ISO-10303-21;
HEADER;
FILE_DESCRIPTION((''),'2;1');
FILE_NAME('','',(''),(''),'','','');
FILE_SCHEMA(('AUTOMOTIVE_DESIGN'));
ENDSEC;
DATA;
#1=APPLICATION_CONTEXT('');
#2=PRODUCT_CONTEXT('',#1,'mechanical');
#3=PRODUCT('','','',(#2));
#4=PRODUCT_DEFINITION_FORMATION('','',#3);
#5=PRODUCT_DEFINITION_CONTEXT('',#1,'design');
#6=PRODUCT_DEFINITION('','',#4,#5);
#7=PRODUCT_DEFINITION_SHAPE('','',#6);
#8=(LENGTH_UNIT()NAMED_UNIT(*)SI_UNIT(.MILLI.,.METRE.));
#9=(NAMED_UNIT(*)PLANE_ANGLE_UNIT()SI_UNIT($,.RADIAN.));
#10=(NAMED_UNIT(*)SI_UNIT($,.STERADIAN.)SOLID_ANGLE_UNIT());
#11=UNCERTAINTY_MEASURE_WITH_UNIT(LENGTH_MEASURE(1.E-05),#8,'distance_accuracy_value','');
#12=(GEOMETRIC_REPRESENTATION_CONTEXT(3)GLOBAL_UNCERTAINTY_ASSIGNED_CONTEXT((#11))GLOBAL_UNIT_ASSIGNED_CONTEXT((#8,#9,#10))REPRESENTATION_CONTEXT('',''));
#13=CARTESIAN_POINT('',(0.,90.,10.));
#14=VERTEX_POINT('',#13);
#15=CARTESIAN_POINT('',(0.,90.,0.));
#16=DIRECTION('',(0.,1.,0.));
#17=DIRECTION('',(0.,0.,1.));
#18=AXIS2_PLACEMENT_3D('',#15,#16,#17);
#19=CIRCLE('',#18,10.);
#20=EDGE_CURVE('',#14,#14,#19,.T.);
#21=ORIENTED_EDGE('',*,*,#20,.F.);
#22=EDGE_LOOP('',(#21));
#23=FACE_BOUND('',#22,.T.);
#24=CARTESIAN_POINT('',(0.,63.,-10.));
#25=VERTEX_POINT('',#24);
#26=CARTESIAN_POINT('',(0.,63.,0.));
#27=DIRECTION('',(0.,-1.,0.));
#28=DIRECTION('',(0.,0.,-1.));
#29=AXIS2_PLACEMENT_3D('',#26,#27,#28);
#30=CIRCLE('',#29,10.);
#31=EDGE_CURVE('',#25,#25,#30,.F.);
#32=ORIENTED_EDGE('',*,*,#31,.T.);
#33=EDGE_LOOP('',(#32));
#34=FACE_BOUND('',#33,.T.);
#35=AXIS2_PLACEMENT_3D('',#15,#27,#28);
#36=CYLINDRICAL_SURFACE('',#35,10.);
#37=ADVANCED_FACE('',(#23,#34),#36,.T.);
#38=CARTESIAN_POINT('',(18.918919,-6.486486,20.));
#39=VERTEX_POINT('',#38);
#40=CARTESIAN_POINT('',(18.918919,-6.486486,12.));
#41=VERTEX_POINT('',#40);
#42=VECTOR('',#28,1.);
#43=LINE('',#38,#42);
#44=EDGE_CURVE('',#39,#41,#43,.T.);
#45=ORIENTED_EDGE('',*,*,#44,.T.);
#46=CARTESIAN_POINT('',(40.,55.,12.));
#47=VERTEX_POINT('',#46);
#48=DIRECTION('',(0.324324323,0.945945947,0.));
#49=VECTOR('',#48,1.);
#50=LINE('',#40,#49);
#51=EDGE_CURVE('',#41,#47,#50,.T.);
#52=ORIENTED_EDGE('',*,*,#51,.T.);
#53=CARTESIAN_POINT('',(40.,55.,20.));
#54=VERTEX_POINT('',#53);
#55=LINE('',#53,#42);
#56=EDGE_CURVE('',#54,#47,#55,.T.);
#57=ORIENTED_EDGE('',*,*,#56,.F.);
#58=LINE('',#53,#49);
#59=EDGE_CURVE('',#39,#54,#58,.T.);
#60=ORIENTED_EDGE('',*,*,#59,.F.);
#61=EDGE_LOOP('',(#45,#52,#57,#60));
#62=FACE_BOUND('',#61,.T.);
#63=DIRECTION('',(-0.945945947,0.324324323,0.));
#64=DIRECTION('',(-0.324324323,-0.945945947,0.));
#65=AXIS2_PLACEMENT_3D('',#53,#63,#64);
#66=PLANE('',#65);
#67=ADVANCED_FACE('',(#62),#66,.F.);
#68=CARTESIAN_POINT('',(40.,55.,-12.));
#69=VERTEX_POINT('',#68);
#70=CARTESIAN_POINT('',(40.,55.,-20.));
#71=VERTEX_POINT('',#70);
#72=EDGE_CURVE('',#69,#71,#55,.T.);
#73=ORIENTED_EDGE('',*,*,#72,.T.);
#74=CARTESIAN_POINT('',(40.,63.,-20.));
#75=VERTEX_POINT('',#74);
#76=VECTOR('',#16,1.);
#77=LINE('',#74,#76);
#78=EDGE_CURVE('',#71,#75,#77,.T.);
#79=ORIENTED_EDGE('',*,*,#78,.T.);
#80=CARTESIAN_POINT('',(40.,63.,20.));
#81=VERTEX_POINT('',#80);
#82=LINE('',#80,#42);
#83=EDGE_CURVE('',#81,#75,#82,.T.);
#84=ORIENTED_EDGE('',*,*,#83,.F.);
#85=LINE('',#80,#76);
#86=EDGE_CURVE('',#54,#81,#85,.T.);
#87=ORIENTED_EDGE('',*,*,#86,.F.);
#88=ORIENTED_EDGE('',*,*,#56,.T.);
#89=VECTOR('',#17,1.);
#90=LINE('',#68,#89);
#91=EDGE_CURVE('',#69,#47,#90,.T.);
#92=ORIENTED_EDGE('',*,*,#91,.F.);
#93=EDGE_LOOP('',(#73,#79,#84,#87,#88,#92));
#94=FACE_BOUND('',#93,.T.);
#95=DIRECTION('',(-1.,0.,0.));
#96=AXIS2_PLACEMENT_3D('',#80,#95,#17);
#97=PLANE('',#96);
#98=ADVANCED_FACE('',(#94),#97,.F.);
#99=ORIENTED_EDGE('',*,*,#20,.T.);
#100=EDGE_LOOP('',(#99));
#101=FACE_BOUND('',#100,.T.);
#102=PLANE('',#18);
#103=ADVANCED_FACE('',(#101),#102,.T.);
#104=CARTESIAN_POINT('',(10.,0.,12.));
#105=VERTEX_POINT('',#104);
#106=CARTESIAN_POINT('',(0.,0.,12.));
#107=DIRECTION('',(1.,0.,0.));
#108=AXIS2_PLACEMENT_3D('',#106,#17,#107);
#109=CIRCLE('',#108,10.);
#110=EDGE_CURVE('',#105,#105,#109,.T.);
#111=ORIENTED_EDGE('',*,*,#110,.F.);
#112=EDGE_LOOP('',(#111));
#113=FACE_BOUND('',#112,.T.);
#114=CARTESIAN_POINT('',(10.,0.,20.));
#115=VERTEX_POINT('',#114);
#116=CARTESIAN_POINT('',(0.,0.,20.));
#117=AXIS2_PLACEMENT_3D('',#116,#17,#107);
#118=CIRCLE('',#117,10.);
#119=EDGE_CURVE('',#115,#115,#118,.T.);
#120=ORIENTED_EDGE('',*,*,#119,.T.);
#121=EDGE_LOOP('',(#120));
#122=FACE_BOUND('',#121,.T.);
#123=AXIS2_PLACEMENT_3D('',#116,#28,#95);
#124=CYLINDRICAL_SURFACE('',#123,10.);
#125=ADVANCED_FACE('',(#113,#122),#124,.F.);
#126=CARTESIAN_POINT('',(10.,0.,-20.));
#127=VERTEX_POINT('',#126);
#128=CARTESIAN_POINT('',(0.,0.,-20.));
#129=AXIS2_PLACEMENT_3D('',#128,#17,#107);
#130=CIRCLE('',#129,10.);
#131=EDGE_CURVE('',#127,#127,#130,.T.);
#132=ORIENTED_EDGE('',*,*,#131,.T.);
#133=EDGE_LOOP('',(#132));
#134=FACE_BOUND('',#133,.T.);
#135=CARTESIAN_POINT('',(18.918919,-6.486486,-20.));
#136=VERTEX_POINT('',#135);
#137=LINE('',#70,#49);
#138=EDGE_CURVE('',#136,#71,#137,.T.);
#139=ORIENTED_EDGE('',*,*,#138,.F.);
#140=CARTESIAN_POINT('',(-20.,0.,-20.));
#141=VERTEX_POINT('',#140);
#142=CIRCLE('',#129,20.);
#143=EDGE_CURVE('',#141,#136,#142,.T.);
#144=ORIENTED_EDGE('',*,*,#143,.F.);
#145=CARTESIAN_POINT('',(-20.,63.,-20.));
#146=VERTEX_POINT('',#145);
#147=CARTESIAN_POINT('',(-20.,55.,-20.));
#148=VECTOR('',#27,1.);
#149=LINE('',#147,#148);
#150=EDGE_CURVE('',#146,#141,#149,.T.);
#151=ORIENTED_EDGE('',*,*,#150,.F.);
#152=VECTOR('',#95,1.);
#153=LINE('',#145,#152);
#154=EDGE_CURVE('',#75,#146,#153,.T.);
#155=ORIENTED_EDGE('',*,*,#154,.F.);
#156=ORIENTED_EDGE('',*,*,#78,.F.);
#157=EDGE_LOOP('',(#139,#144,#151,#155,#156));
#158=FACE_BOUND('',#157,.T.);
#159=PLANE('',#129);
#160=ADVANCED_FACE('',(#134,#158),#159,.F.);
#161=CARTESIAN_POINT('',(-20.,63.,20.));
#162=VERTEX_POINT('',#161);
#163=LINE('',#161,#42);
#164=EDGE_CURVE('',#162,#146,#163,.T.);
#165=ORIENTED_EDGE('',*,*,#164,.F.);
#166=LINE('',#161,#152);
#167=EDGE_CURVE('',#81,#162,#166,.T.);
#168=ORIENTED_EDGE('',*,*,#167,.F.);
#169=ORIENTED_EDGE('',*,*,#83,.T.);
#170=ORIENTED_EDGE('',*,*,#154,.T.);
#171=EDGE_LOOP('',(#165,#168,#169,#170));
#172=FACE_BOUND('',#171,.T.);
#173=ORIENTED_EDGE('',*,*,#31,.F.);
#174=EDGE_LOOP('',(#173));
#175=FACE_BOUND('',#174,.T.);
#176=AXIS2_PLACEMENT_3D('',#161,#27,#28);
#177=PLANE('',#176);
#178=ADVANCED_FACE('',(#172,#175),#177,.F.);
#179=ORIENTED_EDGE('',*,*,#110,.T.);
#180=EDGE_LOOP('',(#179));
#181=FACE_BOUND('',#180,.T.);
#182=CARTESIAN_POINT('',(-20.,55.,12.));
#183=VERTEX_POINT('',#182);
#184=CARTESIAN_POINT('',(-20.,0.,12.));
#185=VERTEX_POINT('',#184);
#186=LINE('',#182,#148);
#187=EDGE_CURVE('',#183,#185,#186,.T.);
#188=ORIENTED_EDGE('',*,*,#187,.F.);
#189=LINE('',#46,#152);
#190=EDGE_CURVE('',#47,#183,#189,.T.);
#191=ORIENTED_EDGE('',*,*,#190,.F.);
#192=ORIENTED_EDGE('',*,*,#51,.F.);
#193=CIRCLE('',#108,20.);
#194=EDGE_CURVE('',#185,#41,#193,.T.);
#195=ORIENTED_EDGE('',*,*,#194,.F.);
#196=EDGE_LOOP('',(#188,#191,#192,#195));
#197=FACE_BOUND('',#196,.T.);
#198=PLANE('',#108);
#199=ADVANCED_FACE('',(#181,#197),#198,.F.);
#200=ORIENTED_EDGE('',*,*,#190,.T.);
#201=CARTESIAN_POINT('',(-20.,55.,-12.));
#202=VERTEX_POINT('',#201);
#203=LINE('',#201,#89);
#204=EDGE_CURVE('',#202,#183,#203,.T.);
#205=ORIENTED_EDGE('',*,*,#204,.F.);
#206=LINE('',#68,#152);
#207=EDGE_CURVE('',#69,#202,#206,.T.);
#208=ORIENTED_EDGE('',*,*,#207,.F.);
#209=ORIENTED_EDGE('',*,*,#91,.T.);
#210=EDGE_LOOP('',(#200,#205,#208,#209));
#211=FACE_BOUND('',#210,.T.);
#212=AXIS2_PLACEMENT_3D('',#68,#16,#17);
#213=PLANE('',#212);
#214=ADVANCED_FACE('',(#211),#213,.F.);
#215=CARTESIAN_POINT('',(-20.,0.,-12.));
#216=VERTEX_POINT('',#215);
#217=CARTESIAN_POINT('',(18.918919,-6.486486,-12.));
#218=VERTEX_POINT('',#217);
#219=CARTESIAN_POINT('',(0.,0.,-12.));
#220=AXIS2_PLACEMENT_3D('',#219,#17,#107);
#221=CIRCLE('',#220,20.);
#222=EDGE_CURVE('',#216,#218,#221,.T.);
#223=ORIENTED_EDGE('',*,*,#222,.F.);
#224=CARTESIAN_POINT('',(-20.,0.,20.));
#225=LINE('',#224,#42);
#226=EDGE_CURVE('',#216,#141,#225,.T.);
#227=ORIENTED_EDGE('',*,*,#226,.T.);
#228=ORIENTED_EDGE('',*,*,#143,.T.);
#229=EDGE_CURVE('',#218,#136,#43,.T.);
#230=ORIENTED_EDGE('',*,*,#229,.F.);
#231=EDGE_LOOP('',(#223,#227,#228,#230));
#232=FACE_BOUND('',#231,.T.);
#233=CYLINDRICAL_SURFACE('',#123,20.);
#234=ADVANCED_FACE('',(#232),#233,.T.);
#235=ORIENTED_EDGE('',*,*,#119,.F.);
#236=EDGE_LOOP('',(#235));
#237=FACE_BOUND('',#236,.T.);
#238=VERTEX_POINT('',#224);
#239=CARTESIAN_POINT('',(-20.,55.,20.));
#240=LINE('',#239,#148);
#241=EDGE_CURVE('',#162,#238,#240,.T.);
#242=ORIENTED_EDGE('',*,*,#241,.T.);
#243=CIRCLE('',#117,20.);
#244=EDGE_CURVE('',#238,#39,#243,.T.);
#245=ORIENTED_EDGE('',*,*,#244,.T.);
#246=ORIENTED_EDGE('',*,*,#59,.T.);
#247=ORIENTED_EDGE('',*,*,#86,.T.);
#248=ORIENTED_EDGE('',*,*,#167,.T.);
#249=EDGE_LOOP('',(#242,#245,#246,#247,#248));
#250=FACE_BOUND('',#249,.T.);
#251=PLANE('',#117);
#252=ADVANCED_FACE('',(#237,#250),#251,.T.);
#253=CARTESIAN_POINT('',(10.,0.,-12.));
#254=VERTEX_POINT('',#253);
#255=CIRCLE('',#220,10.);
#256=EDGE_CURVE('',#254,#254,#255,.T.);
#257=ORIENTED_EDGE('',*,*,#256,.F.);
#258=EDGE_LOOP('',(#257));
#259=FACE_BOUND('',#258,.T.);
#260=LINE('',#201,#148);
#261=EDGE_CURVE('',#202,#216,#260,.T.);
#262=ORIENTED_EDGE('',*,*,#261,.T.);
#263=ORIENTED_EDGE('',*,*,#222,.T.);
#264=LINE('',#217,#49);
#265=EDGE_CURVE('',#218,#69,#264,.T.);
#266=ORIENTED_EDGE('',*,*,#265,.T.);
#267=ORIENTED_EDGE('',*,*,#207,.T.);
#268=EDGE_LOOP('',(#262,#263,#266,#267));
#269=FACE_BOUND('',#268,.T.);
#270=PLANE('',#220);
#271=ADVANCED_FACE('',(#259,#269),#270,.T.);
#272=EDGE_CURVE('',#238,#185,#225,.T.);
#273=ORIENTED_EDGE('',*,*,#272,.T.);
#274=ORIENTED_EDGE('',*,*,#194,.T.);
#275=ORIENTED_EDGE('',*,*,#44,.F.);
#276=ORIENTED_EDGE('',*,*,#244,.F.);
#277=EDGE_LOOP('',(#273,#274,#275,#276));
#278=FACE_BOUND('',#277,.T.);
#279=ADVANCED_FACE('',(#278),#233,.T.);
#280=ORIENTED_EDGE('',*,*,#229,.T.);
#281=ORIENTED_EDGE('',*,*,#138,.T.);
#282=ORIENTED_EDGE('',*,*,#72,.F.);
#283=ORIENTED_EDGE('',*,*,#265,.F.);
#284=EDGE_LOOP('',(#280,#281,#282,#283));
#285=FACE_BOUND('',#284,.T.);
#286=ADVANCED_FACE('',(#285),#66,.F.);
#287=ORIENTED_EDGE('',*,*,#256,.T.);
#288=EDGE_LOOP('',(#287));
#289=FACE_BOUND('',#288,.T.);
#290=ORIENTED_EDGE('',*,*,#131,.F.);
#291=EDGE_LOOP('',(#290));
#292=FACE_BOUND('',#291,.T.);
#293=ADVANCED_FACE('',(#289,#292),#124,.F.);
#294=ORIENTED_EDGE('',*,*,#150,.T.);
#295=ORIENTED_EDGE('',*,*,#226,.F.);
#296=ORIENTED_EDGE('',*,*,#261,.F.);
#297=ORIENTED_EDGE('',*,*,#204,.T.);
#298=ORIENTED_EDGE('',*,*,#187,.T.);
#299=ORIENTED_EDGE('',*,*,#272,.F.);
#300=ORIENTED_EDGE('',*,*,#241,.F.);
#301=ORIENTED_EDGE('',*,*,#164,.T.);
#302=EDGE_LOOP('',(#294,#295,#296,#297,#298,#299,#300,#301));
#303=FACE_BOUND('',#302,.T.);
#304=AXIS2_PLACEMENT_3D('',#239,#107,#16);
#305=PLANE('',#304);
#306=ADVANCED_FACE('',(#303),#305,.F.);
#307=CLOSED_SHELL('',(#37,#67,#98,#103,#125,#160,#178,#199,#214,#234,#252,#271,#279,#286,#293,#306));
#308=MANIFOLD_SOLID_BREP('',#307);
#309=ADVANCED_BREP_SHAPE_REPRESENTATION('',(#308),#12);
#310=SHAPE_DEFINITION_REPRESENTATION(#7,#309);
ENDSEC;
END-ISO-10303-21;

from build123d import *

# Parameters (mm, degrees)
SKETCH_1_R          = 10
EXTRUDE_1_DEPTH     = 20
CUT_EXTRUDE_1_DEPTH = 12
SKETCH_3_R          = 10
EXTRUDE_2_DEPTH     = 27


with BuildPart() as part:
    # 草图1 → 凸台-拉伸1 (new, symmetric)
    with BuildSketch(Plane.XY):
        with BuildLine():
            Line((40, 55), (18.91891904, -6.48648649))
            ThreePointArc((18.91891904, -6.48648649), (-3.287979748, -19.727878593), (-20.000000115, 0))
            Line((-20.000000115, 0), (-20.000000115, 55))
            Line((-20.000000115, 55), (-20.000000115, 63))
            Line((-20.000000115, 63), (40, 63))
            Line((40, 63), (40, 55))
        make_face()
        Circle(SKETCH_1_R, mode=Mode.SUBTRACT)
    extrude(amount=EXTRUDE_1_DEPTH, both=True)

    # 草图2 → 切除-拉伸1 (cut, symmetric)
    with BuildSketch(Plane.XY):
        with BuildLine():
            Line((18.91891904, -6.48648649), (40, 55))
            Line((40, 55), (-20.000000115, 55))
            Line((-20.000000115, 55), (-20.000000115, 0))
            ThreePointArc((-20.000000115, 0), (-3.287979748, -19.727878593), (18.91891904, -6.48648649))
        make_face()
    extrude(amount=CUT_EXTRUDE_1_DEPTH, both=True, mode=Mode.SUBTRACT)

    # 草图3 → 凸台-拉伸2 (add)
    with BuildSketch(Plane(origin=(0, 63, 0), x_dir=(1, 0, 0), z_dir=(0, 1, 0))):
        with Locations(Location((0, 0, 0), (0, 0, 90))):
            Circle(SKETCH_3_R)
    extrude(amount=EXTRUDE_2_DEPTH)


solid = part.part
